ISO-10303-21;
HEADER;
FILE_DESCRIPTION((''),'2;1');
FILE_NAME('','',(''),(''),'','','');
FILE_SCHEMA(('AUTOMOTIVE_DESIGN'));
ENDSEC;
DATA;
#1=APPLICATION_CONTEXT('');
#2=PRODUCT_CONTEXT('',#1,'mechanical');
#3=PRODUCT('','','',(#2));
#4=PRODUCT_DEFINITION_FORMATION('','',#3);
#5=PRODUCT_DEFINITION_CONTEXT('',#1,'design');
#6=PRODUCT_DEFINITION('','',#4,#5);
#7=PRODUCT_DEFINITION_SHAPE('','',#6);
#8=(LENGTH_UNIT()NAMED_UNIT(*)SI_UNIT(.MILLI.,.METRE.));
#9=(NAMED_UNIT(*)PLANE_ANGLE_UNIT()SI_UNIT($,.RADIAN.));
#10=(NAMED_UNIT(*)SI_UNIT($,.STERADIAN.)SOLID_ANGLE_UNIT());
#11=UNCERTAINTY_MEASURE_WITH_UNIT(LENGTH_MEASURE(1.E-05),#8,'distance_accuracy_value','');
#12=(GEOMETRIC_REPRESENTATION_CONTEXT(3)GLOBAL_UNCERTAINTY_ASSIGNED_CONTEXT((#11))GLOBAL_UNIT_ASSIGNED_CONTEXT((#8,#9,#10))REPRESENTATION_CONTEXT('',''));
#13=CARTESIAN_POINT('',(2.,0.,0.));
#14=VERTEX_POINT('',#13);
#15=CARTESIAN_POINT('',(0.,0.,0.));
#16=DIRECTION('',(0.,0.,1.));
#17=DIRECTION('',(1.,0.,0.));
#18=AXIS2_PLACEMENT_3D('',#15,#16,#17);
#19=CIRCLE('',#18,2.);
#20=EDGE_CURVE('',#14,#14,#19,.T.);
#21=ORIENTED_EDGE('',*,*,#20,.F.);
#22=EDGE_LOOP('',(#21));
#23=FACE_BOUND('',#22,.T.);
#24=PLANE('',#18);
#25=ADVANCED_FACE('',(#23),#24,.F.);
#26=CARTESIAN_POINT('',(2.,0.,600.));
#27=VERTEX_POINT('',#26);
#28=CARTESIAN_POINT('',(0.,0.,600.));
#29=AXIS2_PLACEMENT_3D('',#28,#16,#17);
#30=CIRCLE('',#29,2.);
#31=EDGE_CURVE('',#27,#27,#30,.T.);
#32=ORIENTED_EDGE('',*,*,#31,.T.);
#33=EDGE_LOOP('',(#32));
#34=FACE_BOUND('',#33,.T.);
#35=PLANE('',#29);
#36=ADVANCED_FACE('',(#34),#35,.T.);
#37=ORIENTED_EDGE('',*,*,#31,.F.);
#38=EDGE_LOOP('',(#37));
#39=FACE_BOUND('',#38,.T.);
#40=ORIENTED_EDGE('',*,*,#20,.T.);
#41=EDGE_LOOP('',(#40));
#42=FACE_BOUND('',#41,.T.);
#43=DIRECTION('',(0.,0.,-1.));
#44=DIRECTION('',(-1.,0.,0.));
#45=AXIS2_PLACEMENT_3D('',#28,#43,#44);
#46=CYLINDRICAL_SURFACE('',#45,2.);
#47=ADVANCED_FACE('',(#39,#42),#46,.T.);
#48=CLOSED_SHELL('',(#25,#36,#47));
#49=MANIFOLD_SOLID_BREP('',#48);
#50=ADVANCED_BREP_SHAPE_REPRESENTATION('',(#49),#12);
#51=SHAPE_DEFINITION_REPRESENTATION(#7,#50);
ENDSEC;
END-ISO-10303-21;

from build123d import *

# Parameters (mm, degrees)
SKETCH1_R           = 2
BOSS_EXTRUDE1_DEPTH = 600


with BuildPart() as part:
    # Sketch1 → Boss-Extrude1 (new body)
    with BuildSketch(Plane.XY):
        Circle(SKETCH1_R)
    extrude(amount=BOSS_EXTRUDE1_DEPTH)


solid = part.part
